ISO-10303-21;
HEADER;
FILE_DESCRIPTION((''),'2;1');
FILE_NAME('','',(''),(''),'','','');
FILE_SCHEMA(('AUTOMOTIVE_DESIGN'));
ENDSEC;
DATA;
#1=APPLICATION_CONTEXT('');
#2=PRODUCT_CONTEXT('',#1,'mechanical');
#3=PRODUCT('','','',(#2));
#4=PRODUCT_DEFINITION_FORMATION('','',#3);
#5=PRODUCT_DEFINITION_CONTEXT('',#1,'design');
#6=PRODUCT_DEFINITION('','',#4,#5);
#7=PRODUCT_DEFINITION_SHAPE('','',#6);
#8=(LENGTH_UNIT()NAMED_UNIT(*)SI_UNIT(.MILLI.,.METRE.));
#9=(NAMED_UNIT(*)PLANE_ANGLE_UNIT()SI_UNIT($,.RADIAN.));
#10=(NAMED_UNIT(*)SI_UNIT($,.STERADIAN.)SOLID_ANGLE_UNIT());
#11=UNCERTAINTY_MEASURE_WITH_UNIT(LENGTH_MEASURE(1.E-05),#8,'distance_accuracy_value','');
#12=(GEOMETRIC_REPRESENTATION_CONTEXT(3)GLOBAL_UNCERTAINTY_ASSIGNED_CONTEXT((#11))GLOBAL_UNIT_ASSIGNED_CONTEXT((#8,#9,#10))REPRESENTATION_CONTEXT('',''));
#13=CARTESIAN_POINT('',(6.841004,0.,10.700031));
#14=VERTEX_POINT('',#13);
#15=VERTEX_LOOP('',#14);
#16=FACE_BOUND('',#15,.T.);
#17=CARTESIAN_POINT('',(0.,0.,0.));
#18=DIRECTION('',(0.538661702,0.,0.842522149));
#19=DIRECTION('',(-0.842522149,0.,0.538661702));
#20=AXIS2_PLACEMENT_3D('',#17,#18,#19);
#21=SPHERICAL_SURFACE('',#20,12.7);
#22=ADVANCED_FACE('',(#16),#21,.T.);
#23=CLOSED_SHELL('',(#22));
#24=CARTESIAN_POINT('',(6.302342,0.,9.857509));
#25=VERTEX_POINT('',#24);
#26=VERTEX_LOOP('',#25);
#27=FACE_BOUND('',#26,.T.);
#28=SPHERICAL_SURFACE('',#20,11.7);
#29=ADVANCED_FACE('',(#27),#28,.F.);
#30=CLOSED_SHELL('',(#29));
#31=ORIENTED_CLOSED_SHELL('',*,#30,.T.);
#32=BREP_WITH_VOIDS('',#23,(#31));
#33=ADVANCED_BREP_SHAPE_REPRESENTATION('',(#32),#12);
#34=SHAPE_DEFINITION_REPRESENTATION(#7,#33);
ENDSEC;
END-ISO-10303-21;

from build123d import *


with BuildPart() as part:
    # Sketch1 → Revolve-Thin1 (revolve)
    with BuildSketch(Plane(origin=(0, 0, 0), x_dir=(1, 0, 0), z_dir=(0, 1, 0))):
        with BuildLine():
            ThreePointArc((-6.841003611, 10.700031289), (10.700031289, 6.841003611), (6.841003611, -10.700031289))
            Line((6.841003611, -10.700031289), (6.30234191, -9.857509141))
            ThreePointArc((6.30234191, -9.857509141), (9.857509141, 6.30234191), (-6.30234191, 9.857509141))
            Line((-6.30234191, 9.857509141), (-6.841003611, 10.700031289))
        make_face()
    revolve(axis=Axis((0, 0, 0), (-0.5386617016680816, 0, -0.8425221487628957)))


solid = part.part
